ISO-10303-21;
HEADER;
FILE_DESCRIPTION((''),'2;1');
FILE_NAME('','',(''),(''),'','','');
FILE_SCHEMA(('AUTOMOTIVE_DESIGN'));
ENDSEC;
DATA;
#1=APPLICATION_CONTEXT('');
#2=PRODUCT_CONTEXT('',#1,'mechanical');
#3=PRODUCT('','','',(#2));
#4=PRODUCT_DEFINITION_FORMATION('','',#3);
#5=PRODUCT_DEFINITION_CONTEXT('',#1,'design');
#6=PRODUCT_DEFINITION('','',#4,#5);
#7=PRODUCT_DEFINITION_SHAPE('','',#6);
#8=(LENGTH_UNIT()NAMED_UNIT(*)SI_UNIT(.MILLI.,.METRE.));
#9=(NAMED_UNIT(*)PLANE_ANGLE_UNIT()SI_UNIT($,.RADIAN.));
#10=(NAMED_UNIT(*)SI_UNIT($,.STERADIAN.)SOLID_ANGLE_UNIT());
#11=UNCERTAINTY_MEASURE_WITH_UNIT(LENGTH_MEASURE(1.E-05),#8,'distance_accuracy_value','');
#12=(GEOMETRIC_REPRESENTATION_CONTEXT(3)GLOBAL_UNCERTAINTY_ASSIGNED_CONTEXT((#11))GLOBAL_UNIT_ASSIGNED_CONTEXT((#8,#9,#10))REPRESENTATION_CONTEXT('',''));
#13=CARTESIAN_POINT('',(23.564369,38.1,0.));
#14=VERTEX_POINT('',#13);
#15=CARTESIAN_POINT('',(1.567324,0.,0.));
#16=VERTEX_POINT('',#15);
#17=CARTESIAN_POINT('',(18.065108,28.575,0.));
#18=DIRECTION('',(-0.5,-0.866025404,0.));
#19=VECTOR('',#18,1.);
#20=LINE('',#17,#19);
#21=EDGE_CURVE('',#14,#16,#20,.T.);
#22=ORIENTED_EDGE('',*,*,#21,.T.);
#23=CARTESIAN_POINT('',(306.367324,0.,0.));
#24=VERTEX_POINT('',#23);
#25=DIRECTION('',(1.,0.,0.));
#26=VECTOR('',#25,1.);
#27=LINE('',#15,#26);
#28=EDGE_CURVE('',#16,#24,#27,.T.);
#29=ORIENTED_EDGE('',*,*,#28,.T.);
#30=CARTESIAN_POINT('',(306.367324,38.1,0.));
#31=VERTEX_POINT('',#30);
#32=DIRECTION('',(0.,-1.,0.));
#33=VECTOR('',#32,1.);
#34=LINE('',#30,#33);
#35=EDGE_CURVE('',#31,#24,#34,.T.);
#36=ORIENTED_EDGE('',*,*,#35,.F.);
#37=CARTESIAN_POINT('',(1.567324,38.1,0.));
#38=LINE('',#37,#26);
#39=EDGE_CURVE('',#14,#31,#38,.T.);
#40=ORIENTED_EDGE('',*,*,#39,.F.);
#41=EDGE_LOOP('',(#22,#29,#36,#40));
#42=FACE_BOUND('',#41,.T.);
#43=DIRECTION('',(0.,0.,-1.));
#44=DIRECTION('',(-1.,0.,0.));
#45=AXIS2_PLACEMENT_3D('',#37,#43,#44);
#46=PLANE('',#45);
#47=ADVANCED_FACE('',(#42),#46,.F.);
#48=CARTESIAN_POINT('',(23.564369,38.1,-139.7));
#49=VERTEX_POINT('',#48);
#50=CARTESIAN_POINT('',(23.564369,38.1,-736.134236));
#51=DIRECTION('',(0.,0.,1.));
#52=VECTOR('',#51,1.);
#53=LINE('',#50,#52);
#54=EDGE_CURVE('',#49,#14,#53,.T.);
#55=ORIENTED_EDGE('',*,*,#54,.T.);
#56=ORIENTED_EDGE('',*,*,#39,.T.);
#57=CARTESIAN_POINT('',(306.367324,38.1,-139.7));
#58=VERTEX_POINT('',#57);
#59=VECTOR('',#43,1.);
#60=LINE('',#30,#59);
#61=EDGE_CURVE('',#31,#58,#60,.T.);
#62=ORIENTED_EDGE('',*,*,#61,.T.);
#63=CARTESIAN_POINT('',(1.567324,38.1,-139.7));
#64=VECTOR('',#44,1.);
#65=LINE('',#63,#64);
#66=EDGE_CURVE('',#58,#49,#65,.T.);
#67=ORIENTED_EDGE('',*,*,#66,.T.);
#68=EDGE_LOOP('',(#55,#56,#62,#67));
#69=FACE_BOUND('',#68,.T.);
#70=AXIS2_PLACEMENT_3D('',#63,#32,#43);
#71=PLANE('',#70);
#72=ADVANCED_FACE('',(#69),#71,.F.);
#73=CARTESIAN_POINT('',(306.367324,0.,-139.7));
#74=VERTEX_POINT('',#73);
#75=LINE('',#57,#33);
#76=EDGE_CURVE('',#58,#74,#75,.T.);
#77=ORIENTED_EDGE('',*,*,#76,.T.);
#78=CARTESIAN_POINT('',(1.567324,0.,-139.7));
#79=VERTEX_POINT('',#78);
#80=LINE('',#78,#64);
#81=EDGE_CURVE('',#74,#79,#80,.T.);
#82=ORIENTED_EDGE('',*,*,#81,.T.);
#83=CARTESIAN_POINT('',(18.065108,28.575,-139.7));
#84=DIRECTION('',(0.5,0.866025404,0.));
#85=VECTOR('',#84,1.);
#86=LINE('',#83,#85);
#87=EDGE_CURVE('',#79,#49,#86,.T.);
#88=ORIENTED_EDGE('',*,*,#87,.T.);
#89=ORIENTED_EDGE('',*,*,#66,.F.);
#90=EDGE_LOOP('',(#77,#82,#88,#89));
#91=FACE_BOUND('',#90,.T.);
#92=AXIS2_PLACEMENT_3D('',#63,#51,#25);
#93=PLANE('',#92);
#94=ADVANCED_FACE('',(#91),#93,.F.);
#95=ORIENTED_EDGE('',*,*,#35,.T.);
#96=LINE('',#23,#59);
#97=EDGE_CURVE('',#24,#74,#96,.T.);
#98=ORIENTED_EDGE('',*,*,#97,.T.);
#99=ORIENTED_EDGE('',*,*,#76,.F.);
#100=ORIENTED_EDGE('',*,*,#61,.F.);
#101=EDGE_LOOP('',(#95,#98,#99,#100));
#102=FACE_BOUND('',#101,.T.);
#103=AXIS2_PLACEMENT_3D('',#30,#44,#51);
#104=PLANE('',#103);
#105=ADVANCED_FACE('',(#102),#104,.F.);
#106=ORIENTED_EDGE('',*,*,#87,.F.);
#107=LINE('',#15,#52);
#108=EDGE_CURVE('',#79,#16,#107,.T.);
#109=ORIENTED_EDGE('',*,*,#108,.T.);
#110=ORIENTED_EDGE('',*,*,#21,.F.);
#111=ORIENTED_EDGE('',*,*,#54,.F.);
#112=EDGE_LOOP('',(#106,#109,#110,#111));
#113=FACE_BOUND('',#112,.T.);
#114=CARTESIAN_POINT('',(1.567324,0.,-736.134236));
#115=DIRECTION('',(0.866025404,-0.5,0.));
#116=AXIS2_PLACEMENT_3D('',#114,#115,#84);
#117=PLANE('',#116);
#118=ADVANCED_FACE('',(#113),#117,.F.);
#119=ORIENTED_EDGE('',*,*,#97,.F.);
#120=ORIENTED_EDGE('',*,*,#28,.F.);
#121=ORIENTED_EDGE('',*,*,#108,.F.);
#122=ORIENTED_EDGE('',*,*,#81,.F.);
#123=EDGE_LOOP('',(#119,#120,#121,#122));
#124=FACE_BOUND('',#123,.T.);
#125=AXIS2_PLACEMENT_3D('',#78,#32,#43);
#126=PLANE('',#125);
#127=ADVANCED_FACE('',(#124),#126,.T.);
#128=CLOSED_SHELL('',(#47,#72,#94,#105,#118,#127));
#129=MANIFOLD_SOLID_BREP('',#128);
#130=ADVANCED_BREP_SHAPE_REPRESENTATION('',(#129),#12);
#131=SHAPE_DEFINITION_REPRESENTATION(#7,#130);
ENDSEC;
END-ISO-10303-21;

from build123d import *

# Parameters (mm, degrees)
SKETCH1_W               = 304.8
SKETCH1_H               = 139.7
BOSS_EXTRUDE1_DEPTH     = 38.1
CUT_EXTRUDE1_DEPTH      = 1
CUT_EXTRUDE1_DEPTH_BACK = 140.7


with BuildPart() as part:
    # Sketch1 → Boss-Extrude1 (new body)
    with BuildSketch(Plane(origin=(0, 0, 0), x_dir=(1, 0, 0), z_dir=(0, 1, 0))):
        with Locations((153.967323935, 69.85)):
            Rectangle(SKETCH1_W, SKETCH1_H)
    extrude(amount=BOSS_EXTRUDE1_DEPTH)

    # Sketch2 → Cut-Extrude1 (cut, two sides)
    with BuildSketch(Plane(origin=(0, 0, -139.7), x_dir=(-1, 0, 0), z_dir=(0, 0, -1))) as cut_extrude1_sk:
        Polygon((310.604696275, -540.697799705), (-1.567323935, 0), (-23.564369192, 38.1), (-335.736389402, 578.797799705), (745.659210009, 1203.141840126), (1392.000295686, 83.646240715), align=None)
    extrude(amount=CUT_EXTRUDE1_DEPTH, mode=Mode.SUBTRACT)
    extrude(cut_extrude1_sk.sketch, amount=-CUT_EXTRUDE1_DEPTH_BACK, mode=Mode.SUBTRACT)


solid = part.part
